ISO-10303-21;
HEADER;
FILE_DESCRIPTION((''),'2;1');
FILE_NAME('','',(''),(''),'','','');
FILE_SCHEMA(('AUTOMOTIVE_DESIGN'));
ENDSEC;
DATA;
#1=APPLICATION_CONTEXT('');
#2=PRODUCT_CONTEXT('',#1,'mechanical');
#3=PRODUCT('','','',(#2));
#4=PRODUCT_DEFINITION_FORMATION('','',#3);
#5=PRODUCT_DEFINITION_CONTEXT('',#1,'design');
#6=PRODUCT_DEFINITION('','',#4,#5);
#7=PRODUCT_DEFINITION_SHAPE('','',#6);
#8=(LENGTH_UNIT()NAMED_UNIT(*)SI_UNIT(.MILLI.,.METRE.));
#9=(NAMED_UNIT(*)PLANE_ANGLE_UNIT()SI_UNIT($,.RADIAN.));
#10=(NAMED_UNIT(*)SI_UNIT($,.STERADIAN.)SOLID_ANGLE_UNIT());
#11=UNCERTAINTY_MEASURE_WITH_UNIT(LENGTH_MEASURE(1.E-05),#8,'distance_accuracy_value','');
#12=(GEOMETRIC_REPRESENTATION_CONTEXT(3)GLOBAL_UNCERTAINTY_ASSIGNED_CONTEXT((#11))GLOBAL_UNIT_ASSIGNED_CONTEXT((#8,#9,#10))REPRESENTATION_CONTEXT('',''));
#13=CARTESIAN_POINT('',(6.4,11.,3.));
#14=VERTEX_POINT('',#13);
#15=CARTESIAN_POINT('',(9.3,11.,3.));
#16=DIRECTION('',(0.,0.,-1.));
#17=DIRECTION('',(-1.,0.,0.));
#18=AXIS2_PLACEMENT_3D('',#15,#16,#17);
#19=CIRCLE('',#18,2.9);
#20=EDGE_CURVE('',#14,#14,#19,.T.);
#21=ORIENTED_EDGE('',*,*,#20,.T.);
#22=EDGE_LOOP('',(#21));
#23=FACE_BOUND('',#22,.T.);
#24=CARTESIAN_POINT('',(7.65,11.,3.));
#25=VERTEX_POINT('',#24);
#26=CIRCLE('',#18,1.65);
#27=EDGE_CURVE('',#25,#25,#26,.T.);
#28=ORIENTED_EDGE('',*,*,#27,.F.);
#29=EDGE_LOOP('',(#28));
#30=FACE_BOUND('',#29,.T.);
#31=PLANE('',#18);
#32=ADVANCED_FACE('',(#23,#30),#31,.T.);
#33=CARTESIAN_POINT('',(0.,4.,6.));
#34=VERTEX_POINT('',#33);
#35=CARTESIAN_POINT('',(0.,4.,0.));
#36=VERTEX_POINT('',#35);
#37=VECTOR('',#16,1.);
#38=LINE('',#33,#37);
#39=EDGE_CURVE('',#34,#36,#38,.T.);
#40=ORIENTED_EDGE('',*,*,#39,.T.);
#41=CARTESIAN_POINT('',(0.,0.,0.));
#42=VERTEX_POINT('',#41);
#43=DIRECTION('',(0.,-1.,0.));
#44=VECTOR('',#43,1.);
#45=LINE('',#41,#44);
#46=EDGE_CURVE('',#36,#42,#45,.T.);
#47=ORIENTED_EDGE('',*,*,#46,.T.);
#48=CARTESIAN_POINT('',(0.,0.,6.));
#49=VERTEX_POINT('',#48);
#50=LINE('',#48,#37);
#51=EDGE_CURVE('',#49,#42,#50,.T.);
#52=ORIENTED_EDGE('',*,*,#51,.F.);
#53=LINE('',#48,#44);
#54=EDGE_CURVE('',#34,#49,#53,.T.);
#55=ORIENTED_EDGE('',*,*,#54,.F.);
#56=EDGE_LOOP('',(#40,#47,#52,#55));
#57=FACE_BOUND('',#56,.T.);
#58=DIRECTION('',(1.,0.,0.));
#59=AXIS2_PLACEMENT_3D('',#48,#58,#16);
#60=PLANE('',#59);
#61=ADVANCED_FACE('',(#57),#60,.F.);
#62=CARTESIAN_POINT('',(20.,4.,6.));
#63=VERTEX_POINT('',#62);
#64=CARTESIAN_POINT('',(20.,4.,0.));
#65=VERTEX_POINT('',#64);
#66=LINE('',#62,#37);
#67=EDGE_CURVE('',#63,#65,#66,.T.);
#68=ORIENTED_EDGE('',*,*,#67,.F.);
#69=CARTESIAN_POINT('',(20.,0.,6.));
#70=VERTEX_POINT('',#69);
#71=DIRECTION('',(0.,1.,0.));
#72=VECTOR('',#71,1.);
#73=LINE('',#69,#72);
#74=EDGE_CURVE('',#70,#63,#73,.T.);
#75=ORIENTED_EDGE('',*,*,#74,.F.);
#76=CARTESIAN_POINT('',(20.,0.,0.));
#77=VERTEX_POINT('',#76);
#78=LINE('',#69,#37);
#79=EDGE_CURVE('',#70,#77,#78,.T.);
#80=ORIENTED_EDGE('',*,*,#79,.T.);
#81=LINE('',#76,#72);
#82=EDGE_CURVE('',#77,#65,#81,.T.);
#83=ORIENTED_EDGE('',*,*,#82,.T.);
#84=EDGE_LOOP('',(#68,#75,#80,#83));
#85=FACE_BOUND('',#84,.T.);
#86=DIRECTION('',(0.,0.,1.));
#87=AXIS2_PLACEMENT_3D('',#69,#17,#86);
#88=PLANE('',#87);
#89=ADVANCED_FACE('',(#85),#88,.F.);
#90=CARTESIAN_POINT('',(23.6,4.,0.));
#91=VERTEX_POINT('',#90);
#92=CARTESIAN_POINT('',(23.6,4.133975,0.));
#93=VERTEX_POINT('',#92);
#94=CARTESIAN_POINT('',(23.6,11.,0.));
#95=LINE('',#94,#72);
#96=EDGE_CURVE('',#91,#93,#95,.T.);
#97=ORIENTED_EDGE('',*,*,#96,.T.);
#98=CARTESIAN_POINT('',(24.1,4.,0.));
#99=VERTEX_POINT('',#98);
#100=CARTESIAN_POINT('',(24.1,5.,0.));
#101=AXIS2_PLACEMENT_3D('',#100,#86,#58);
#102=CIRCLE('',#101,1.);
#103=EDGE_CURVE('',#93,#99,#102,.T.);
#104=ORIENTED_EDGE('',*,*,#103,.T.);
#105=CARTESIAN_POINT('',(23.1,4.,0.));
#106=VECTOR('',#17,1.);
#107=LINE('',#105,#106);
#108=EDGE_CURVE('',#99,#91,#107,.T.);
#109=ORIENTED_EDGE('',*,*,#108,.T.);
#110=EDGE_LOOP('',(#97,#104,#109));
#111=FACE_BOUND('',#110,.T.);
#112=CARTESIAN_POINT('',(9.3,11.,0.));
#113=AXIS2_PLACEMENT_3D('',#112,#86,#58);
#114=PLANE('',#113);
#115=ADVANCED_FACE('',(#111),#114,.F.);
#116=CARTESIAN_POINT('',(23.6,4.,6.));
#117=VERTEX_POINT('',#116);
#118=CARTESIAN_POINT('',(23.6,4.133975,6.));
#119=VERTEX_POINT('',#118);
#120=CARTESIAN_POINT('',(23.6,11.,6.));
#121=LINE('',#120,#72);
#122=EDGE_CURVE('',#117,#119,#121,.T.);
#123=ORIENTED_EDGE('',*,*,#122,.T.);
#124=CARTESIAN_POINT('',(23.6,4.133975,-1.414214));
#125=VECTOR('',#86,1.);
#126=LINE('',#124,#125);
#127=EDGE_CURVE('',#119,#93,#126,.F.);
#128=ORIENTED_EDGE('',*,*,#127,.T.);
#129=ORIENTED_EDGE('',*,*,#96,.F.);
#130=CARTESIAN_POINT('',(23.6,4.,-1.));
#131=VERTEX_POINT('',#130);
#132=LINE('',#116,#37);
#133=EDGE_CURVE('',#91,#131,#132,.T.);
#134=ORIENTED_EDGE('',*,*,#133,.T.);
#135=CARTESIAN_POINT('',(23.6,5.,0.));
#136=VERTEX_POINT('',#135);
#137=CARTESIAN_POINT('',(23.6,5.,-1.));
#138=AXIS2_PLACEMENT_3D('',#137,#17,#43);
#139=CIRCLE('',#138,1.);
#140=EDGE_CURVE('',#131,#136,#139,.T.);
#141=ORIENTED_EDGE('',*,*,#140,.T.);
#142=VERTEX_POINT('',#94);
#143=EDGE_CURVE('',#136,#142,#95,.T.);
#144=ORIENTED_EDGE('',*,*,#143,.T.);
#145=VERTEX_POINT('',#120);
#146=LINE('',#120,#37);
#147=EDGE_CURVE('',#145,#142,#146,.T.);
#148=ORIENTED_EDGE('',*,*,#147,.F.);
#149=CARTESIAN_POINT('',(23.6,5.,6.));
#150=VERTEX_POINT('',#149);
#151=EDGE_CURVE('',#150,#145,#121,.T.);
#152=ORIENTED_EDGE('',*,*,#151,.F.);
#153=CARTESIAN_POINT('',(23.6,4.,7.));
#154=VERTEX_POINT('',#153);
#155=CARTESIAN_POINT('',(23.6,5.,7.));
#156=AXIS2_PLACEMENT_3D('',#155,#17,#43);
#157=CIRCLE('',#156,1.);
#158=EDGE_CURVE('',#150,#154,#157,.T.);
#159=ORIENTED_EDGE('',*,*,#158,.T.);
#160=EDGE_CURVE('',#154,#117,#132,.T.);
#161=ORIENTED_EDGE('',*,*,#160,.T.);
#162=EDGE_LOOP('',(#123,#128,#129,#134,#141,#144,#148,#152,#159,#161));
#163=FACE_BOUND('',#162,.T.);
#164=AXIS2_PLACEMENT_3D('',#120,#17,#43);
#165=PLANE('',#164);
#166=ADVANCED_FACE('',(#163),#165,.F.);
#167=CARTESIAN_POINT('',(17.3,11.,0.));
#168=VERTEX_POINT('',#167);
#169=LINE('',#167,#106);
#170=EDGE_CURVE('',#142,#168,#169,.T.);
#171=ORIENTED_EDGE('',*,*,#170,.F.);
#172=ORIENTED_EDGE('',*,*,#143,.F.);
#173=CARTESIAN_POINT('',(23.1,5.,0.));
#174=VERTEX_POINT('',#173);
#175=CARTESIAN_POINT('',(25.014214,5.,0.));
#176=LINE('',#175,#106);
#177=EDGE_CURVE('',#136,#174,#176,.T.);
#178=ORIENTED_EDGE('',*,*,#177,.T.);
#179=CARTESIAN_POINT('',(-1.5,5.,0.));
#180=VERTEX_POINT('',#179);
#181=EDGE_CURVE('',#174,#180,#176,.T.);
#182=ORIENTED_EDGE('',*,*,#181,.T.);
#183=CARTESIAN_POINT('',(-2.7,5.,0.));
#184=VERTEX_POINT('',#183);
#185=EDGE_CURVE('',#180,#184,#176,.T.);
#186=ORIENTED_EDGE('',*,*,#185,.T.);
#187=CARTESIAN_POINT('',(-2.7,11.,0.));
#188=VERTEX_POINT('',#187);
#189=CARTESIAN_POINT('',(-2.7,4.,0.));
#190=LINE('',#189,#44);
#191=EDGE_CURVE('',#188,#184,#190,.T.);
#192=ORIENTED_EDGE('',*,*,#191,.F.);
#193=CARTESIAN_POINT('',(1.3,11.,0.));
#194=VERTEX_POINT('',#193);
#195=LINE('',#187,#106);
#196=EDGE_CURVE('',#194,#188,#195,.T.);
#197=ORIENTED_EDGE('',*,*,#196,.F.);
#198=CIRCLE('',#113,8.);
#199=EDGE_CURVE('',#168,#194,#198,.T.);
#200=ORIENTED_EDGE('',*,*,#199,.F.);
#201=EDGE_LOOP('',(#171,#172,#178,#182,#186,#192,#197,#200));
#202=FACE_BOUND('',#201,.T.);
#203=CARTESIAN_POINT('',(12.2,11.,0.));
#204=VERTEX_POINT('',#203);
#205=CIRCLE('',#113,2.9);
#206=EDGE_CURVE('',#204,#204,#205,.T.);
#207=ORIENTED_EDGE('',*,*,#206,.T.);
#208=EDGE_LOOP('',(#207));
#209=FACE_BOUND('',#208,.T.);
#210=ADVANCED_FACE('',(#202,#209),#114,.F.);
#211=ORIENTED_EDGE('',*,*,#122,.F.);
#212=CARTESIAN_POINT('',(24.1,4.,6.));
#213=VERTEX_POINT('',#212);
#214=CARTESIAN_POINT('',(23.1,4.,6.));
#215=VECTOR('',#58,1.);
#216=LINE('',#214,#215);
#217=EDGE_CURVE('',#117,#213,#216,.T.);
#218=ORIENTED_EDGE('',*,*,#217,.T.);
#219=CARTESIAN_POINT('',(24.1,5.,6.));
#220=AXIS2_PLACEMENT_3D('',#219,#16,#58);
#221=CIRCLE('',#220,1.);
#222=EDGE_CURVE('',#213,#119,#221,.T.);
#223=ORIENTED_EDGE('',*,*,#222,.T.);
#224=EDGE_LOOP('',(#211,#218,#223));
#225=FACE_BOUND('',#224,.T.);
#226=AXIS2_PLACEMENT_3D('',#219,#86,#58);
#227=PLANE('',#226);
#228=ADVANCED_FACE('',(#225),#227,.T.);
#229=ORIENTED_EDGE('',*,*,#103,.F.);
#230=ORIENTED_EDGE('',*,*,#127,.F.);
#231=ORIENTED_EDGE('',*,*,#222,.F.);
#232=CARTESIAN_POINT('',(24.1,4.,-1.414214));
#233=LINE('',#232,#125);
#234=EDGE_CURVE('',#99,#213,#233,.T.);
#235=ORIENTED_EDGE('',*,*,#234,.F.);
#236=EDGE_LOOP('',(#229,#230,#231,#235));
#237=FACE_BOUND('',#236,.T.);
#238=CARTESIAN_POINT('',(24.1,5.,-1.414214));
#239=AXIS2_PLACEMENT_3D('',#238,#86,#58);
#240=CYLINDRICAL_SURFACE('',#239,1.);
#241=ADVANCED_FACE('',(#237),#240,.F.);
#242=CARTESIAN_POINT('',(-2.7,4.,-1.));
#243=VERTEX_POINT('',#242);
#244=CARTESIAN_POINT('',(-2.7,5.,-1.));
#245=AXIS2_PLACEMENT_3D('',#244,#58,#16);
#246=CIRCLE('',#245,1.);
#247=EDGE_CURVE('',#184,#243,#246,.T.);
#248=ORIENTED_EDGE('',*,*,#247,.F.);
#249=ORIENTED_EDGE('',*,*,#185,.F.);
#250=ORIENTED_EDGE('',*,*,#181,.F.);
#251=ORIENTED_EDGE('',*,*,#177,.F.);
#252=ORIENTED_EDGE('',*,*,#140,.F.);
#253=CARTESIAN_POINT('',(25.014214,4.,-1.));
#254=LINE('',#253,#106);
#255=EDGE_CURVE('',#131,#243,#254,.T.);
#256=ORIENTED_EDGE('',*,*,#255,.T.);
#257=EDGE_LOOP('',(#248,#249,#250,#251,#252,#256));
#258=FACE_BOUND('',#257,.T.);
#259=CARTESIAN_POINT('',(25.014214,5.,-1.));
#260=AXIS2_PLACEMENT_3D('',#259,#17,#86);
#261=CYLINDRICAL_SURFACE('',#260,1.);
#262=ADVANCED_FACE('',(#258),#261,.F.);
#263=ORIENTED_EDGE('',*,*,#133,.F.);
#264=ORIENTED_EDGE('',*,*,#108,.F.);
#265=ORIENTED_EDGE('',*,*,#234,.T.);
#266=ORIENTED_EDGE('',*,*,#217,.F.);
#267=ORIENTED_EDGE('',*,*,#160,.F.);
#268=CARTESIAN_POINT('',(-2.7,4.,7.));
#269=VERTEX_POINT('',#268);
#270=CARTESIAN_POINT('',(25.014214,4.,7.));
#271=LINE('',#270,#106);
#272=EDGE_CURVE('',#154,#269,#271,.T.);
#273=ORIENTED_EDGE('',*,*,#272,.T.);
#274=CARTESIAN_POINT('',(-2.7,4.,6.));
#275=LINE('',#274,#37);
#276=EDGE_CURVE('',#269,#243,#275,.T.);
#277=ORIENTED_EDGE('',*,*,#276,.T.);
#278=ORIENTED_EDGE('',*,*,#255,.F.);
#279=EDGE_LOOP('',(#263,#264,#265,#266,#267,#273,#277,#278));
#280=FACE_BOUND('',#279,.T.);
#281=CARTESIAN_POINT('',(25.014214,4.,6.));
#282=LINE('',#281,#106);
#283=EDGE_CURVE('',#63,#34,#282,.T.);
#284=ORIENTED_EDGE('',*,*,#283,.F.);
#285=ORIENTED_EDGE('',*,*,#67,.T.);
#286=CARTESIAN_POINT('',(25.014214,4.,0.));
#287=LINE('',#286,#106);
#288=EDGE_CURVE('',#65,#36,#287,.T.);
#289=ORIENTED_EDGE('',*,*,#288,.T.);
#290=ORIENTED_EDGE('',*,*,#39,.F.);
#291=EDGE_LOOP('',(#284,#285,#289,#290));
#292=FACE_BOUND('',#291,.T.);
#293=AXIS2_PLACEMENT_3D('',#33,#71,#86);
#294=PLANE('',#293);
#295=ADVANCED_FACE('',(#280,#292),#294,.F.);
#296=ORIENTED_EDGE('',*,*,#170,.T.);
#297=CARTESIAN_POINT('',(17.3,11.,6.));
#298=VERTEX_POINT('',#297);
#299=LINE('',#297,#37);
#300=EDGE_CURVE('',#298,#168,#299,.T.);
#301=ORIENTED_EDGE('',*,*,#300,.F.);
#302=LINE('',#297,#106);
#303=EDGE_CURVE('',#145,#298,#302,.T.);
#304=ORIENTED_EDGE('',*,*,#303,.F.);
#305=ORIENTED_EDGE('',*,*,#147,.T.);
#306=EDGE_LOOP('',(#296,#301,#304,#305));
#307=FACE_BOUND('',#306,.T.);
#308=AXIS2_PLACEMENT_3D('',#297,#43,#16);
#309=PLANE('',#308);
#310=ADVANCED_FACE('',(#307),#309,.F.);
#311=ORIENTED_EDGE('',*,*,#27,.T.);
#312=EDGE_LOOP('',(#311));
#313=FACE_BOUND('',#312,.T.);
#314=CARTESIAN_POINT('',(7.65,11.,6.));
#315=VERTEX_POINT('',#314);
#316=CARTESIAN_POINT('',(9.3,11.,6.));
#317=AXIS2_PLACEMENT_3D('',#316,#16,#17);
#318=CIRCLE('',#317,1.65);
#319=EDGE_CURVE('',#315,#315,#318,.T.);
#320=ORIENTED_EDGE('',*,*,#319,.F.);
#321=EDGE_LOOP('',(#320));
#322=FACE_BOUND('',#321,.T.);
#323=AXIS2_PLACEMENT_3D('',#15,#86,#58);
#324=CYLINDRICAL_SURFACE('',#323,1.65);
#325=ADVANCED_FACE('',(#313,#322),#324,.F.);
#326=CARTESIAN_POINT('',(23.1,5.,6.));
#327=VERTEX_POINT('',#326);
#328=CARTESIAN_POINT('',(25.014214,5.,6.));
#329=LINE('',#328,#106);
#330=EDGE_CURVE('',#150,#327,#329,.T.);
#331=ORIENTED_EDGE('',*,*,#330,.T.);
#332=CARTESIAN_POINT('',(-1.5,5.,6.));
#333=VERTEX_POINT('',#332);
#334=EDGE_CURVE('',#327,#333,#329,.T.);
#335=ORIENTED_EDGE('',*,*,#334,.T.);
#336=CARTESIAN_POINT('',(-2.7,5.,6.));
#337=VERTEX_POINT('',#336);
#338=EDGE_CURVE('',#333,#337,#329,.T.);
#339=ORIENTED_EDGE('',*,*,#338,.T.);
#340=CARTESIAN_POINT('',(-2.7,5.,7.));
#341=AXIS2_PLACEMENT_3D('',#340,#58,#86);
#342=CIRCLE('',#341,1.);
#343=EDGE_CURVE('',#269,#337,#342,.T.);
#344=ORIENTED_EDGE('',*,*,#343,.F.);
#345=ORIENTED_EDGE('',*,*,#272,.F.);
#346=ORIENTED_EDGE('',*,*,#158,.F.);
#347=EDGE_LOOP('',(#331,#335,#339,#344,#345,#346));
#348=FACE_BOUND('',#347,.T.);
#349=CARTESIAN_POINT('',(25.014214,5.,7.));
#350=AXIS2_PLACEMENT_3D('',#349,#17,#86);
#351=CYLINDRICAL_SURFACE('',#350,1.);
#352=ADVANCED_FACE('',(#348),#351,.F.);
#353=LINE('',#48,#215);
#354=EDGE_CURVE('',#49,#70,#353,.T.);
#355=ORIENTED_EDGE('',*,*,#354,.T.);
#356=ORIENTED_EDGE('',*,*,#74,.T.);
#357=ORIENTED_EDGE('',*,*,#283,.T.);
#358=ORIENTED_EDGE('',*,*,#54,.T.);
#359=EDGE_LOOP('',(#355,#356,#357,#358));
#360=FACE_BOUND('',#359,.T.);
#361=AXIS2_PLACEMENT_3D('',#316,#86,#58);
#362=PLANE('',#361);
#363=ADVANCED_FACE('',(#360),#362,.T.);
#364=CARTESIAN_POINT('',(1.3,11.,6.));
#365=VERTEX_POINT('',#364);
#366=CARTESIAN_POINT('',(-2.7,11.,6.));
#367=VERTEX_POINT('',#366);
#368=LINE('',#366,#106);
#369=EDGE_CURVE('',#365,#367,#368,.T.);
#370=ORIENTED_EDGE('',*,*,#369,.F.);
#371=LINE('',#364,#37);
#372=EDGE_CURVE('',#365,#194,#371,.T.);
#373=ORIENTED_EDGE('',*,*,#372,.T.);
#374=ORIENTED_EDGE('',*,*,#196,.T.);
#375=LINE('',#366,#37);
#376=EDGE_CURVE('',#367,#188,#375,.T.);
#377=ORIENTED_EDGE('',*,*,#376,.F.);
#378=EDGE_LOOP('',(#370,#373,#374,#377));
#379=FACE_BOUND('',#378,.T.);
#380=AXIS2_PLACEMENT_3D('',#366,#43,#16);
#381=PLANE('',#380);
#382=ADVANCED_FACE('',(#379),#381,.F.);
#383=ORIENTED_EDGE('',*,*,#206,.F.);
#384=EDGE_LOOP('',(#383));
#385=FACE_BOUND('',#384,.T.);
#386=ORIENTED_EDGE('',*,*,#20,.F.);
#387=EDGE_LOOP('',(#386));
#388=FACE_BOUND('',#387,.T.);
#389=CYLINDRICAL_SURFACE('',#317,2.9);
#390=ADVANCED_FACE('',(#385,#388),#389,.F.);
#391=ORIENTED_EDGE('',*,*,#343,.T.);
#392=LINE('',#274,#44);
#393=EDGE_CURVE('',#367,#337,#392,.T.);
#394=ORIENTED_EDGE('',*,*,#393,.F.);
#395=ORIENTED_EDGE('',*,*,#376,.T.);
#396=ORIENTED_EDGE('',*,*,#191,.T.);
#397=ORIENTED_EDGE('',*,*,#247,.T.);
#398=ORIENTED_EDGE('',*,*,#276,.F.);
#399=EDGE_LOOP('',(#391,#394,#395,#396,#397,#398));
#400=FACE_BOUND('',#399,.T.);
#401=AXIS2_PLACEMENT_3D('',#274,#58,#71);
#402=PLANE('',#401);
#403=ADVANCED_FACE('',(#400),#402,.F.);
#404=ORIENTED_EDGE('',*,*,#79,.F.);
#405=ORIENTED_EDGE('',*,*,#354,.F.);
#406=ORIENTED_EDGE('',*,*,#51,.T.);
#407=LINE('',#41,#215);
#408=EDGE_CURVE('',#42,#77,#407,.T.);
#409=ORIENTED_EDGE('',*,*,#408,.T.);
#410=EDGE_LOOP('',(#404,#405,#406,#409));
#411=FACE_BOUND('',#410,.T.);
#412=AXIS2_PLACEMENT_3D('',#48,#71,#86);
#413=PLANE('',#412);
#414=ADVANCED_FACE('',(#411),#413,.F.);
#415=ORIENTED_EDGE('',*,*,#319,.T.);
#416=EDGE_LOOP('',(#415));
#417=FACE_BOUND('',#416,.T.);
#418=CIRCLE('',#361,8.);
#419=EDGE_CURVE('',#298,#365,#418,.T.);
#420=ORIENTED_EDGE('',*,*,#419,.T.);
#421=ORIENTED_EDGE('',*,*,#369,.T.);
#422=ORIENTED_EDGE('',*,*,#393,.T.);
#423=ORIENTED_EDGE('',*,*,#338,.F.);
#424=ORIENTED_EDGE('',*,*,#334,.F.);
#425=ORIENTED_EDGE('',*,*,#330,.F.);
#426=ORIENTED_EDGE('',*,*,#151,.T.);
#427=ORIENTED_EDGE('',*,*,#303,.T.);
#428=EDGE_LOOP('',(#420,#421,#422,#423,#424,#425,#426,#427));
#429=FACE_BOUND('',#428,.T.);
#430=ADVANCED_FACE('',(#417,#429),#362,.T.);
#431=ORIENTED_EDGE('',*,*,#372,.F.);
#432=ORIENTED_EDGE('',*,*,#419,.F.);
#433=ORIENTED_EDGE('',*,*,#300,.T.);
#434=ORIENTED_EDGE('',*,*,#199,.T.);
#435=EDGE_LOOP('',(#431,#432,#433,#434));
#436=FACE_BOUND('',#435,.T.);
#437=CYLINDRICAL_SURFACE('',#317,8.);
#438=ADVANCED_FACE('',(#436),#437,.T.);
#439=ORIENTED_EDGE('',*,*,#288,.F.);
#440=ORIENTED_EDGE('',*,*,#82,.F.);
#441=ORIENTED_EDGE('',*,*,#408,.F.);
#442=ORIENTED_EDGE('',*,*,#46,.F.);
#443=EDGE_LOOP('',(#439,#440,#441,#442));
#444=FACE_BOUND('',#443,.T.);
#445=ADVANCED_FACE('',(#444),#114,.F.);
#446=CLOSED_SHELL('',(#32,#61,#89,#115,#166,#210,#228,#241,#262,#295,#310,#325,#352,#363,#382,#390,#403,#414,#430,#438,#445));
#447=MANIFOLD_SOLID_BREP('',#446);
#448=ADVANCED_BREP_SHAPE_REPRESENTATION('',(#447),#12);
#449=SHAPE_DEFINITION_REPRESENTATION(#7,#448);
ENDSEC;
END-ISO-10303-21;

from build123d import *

# Parameters (mm, degrees)
SKETCH1_R           = 2.9
BOSS_EXTRUDE1_DEPTH = 6
BOSS_EXTRUDE2_DEPTH = 26.3
BOSS_EXTRUDE3_DEPTH = 6
SKETCH5_R           = 2.9
SKETCH5_R_2         = 1.65
BOSS_EXTRUDE4_DEPTH = 3


with BuildPart() as part:
    # Sketch1 → Boss-Extrude1 (new body)
    with BuildSketch(Plane.XY):
        with BuildLine():
            Line((0, 0), (20, 0))
            Line((20, 0), (20, 4))
            Line((20, 4), (23.6, 4))
            Line((23.6, 4), (23.6, 11))
            Line((23.6, 11), (17.3, 11))
            ThreePointArc((17.3, 11), (9.3, 19), (1.3, 11))
            Line((1.3, 11), (-2.7, 11))
            Line((-2.7, 11), (-2.7, 4))
            Line((-2.7, 4), (0, 4))
            Line((0, 4), (0, 0))
        make_face()
        with Locations((9.3, 11)):
            Circle(SKETCH1_R, mode=Mode.SUBTRACT)
    extrude(amount=BOSS_EXTRUDE1_DEPTH)

    # Sketch2 → Boss-Extrude2 (add)
    with BuildSketch(Plane.ZY.offset(2.7)):
        with BuildLine():
            Line((6, 4), (6, 5))
            ThreePointArc((6, 5), (6.292893219, 4.292893219), (7, 4))
            Line((7, 4), (6, 4))
        make_face()
        with BuildLine():
            Line((0, 4), (-1, 4))
            ThreePointArc((-1, 4), (-0.292893219, 4.292893219), (0, 5))
            Line((0, 5), (0, 4))
        make_face()
    extrude(amount=-BOSS_EXTRUDE2_DEPTH)

    # Sketch4 → Boss-Extrude3 (add)
    with BuildSketch(Plane.XY.offset(6)):
        with BuildLine():
            Line((23.1, 4), (23.1, 5))
            ThreePointArc((23.1, 5), (23.392893219, 4.292893219), (24.1, 4))
            Line((24.1, 4), (23.1, 4))
        make_face()
        with BuildLine():
            Line((-1.5, 4), (-2.5, 4))
            ThreePointArc((-2.5, 4), (-1.792893219, 4.292893219), (-1.5, 5))
            Line((-1.5, 5), (-1.5, 4))
        make_face()
    extrude(amount=-BOSS_EXTRUDE3_DEPTH)

    # Sketch5 → Boss-Extrude4 (add)
    with BuildSketch(Plane(origin=(0, 0, 6), x_dir=(-1, 0, 0), z_dir=(0, 0, -1))):
        with Locations((-9.3, 11)):
            Circle(SKETCH5_R)
        with Locations((-9.3, 11)):
            Circle(SKETCH5_R_2, mode=Mode.SUBTRACT)
    extrude(amount=BOSS_EXTRUDE4_DEPTH)


solid = part.part
